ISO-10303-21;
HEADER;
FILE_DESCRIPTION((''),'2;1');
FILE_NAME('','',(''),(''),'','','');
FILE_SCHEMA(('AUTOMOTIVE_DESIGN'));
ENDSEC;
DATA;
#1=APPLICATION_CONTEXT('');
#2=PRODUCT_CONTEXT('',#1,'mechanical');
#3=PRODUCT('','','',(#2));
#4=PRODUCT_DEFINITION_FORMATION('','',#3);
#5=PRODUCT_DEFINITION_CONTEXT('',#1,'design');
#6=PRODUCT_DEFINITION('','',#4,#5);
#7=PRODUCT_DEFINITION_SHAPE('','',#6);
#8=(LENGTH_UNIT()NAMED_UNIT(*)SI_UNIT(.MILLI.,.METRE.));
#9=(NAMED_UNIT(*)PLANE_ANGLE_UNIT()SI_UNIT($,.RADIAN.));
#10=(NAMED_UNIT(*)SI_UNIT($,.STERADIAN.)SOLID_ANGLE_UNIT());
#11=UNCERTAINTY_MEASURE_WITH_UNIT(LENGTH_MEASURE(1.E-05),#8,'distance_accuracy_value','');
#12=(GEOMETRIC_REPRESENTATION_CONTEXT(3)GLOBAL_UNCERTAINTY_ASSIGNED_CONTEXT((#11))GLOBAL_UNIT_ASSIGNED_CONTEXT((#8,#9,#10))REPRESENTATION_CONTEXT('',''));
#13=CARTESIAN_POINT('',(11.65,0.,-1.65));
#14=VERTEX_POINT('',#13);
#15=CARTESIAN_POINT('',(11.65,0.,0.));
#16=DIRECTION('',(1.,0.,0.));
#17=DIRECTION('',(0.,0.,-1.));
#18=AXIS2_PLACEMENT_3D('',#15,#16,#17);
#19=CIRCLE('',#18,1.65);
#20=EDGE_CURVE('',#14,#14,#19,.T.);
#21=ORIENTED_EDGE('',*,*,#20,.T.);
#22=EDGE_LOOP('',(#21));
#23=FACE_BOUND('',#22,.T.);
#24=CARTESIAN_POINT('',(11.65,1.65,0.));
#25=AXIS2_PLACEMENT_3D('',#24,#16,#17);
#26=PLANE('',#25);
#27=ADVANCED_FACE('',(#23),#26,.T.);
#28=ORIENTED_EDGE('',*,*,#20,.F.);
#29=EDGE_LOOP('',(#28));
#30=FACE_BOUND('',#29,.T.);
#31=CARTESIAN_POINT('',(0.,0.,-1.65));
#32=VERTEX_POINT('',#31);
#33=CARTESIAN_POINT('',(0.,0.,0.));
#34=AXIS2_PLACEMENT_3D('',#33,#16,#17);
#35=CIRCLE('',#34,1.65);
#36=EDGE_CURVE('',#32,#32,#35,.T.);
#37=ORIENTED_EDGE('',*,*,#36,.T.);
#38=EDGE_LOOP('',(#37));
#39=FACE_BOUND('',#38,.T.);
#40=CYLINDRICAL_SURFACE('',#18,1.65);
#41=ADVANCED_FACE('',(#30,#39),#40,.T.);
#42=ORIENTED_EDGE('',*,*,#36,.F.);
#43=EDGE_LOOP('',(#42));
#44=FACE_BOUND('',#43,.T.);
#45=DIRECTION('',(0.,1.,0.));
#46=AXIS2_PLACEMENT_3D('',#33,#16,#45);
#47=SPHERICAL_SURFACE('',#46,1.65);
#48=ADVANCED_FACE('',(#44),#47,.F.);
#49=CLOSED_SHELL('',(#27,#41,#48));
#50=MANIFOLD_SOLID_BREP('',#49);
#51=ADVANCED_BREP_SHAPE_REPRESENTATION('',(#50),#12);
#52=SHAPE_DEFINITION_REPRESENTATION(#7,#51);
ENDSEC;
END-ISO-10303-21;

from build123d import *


with BuildPart() as part:
    # Sketch1 → Revolve1 (revolve)
    with BuildSketch(Plane.XY):
        with BuildLine():
            Line((0, 1.65), (11.65, 1.65))
            Line((11.65, 1.65), (11.65, 0))
            Line((11.65, 0), (1.65, 0))
            ThreePointArc((1.65, 0), (1.166726189, 1.166726189), (0, 1.65))
        make_face()
    revolve(axis=Axis((11.65, 0, 0), (-1, 0, 0)))


solid = part.part
